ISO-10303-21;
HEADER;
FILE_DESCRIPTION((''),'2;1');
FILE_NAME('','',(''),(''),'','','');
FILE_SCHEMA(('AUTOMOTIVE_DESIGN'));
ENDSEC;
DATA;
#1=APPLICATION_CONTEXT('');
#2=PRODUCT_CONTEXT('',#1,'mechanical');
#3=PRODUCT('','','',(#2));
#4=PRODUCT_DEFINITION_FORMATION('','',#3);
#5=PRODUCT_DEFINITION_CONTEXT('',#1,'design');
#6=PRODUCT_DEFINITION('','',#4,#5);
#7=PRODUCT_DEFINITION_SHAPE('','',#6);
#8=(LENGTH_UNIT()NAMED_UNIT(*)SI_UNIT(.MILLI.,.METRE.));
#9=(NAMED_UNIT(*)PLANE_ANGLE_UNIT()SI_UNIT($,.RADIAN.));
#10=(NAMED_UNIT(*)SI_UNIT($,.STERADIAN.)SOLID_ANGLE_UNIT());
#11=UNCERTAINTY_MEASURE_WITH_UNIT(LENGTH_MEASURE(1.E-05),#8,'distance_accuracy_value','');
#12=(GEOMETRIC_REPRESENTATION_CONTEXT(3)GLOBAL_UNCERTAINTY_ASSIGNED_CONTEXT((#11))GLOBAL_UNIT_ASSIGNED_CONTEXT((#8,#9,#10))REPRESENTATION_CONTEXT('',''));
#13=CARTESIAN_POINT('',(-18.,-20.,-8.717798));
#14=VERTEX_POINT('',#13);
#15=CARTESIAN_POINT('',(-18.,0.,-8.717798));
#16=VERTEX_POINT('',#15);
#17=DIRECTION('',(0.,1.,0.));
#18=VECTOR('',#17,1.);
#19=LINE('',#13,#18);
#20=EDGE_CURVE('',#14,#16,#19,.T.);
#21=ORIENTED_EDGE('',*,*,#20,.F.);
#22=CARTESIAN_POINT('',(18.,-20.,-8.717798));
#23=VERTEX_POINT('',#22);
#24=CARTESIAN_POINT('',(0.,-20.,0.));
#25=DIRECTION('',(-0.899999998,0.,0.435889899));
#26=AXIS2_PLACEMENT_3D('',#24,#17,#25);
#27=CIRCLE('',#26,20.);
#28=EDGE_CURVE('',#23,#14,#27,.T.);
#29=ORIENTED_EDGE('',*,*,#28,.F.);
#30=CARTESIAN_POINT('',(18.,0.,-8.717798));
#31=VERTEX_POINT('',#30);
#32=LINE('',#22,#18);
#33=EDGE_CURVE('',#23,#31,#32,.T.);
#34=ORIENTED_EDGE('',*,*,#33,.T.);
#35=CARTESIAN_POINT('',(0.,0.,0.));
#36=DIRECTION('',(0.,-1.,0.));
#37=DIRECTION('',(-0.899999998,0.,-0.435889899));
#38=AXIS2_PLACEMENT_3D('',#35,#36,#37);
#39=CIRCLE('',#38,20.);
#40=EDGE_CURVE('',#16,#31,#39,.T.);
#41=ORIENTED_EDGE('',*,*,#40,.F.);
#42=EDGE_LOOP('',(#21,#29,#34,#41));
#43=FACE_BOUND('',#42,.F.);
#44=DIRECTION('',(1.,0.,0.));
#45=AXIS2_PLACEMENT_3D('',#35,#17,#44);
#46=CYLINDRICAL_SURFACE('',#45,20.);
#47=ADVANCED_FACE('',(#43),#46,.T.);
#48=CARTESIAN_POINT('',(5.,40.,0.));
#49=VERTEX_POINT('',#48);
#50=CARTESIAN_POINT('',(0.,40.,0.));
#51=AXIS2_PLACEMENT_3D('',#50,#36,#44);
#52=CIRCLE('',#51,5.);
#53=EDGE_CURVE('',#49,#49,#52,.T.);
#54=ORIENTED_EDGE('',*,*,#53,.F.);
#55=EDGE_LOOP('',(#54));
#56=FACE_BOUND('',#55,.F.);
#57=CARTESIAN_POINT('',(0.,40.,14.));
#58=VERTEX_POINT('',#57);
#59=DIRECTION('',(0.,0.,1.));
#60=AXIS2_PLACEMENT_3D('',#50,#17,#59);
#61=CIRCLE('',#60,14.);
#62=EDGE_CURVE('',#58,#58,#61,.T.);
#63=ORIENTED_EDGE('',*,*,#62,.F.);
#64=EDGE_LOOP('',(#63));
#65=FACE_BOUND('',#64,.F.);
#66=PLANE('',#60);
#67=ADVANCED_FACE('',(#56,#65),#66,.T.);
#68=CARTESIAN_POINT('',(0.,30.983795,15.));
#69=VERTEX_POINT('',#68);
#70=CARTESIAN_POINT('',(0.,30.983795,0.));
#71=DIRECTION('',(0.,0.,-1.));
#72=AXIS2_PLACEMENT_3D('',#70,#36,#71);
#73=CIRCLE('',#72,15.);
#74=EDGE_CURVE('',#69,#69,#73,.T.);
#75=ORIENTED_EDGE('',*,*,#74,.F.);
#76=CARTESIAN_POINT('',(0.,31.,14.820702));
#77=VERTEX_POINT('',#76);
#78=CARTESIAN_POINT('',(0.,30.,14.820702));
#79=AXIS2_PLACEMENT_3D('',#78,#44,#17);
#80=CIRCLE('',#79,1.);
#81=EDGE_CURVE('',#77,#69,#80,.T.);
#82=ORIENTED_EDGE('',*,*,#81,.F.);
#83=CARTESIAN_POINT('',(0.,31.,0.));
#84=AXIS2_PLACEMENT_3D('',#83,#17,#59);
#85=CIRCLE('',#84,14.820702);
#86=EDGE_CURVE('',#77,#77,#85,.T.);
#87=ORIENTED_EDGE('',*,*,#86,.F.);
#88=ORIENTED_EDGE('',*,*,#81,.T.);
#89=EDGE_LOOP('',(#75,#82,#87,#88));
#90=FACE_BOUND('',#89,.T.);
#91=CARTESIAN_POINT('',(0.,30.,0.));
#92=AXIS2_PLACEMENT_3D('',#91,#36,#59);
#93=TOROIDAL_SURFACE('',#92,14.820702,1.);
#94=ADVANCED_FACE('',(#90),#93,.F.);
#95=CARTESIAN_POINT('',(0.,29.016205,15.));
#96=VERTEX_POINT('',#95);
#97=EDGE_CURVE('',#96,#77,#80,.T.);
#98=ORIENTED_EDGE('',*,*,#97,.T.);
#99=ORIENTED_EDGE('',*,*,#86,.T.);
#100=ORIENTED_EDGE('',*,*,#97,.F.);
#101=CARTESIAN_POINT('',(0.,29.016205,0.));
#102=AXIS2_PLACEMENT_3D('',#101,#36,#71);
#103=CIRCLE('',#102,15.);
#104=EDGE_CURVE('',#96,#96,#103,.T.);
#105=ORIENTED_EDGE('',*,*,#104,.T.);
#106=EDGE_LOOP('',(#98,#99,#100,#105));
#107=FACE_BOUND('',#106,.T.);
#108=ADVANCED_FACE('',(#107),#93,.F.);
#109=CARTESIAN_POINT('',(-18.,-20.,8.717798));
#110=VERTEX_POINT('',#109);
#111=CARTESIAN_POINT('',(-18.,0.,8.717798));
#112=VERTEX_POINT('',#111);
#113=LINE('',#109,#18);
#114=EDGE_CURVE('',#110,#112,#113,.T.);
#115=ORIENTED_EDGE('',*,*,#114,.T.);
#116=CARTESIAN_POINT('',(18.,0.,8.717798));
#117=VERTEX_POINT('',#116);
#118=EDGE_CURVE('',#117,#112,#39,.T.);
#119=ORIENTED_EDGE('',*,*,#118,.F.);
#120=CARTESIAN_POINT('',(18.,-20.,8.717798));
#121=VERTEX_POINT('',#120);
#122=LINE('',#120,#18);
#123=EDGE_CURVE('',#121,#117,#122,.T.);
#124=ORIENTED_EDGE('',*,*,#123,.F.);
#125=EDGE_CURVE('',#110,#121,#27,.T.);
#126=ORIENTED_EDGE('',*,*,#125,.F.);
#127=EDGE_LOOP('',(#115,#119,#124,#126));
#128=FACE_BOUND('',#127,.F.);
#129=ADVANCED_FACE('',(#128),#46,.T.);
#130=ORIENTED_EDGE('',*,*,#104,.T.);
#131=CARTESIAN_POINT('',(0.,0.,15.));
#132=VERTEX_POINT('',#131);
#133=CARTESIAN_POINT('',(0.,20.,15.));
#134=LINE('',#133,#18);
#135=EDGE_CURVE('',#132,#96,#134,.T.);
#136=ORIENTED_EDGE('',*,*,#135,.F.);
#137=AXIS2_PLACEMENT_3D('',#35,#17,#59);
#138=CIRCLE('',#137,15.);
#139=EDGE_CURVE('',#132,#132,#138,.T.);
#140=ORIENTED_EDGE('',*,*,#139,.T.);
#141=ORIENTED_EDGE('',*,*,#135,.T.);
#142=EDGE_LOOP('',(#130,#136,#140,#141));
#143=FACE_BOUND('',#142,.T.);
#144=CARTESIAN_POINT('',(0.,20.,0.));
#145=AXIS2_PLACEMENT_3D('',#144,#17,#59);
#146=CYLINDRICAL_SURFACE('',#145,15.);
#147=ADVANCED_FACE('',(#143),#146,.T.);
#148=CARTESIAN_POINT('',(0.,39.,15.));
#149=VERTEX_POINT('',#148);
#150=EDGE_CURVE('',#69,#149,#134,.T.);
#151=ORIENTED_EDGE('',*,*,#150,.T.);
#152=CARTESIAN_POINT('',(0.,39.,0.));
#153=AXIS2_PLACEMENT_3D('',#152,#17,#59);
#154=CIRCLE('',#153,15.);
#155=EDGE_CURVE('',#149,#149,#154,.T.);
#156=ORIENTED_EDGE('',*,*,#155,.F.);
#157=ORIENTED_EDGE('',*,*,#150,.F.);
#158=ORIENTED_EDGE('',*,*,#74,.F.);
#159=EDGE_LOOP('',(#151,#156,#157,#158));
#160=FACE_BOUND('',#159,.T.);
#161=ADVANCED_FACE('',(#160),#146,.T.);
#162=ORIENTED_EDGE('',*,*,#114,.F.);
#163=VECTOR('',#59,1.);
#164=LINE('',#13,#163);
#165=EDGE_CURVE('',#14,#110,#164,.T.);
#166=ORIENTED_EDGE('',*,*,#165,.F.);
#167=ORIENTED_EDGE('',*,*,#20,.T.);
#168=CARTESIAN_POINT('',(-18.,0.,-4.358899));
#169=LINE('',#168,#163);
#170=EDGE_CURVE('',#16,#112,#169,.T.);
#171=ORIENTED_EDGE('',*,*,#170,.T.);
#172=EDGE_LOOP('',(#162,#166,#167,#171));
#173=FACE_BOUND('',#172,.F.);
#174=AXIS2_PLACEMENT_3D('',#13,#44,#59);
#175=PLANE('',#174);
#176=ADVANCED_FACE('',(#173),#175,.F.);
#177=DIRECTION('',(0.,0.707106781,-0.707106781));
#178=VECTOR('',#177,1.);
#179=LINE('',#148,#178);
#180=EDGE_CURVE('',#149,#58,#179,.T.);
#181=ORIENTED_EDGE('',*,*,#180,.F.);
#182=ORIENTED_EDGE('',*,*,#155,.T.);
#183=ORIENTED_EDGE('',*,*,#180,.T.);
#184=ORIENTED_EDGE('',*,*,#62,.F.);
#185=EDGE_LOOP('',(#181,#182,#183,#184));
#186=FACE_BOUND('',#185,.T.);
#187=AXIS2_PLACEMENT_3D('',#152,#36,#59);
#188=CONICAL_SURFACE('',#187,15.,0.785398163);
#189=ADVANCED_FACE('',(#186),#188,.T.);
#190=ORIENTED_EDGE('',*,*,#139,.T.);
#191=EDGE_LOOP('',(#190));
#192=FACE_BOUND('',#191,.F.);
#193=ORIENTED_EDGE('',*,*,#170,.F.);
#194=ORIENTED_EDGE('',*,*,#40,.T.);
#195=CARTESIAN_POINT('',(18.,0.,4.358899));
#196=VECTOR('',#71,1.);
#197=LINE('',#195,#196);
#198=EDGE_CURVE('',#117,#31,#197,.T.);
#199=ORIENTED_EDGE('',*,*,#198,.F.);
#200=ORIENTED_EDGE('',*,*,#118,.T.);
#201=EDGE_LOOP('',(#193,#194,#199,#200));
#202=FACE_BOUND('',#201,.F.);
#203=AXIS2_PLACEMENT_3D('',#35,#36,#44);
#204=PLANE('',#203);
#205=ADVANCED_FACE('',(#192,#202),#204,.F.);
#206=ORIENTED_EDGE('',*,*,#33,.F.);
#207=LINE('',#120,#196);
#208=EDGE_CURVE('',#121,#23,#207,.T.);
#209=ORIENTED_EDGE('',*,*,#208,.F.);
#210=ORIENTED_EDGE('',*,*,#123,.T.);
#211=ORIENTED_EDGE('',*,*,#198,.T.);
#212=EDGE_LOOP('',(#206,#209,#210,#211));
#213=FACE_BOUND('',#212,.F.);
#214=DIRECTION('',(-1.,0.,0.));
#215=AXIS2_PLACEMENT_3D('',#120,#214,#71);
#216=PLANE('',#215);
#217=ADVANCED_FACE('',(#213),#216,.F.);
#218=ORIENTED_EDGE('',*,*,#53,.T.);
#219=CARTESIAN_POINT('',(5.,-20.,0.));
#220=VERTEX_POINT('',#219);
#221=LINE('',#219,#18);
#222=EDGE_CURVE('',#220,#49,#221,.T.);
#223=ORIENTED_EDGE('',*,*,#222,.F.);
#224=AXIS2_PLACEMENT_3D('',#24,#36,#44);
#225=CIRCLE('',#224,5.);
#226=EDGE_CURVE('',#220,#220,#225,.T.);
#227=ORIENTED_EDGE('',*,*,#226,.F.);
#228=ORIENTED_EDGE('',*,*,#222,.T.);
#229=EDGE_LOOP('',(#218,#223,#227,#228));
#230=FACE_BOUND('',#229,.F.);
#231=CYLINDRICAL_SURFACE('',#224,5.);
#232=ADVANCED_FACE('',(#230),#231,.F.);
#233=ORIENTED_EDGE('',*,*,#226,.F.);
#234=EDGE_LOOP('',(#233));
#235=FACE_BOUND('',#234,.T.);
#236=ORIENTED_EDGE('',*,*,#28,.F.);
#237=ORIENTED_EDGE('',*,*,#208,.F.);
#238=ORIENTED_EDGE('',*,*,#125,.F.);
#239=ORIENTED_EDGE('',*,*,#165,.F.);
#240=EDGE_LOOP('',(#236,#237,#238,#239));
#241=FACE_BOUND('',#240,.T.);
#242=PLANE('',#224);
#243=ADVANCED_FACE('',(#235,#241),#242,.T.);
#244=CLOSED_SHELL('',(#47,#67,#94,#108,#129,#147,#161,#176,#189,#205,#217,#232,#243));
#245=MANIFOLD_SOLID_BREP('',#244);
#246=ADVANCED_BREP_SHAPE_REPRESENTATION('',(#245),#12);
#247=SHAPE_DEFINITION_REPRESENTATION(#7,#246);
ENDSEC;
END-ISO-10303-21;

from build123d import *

# Parameters (mm, degrees)
F0_R      = 20
F2_DEPTH  = 20
F4_DEPTH  = 20.001
F6_DEPTH  = 20.001
F8_W      = 40
F8_H      = 15
F12_SIZE  = 1
F7_R      = 5
F13_DEPTH = 60.001
F10_R     = 1


with BuildPart() as f2:
    # F0 (on Front) → F2 (new body)
    with BuildSketch(Plane.XZ):
        Circle(F0_R)
    extrude(amount=F2_DEPTH)

    # F3 (on face) → F4 (cut, through all)
    with BuildSketch(Plane.XZ.offset(20)):
        with BuildLine():
            Line((-18, -8.717798), (-18, 8.717798))
            ThreePointArc((-18, 8.717798), (-20, 0), (-18, -8.717798))
        make_face()
    extrude(amount=-F4_DEPTH, mode=Mode.SUBTRACT)

    # F5 (on face) → F6 (cut, through all)
    with BuildSketch(Plane.XZ.offset(20)):
        with BuildLine():
            ThreePointArc((18, -8.717798), (20, 0), (18, 8.717798))
            Line((18, 8.717798), (18, -8.717798))
        make_face()
    extrude(amount=-F6_DEPTH, mode=Mode.SUBTRACT)

    # F8 (on Right) → F11 (revolve)
    with BuildSketch(Plane.YZ):
        with Locations((20, 7.5)):
            Rectangle(F8_W, F8_H)
    revolve(axis=Axis((0, 20, 0), (0, 1, 0)))

    # F12
    f12_edges = [f2.edges().sort_by_distance(p)[0] for p in [
        (0, 40, -15),
    ]]
    chamfer(f12_edges, length=F12_SIZE)

    # F7 (on face) → F13 (cut, through all)
    with BuildSketch(Plane.XZ.offset(20)):
        Circle(F7_R)
    extrude(amount=-F13_DEPTH, mode=Mode.SUBTRACT)

    # F10 (on face) → F14 (revolve, cut)
    with BuildSketch(Plane.YZ):
        with Locations((30, 14.820702)):
            Circle(F10_R)
    revolve(axis=Axis((0, 4.966939, 0), (0, 1, 0)), mode=Mode.SUBTRACT)


solid = f2.part
